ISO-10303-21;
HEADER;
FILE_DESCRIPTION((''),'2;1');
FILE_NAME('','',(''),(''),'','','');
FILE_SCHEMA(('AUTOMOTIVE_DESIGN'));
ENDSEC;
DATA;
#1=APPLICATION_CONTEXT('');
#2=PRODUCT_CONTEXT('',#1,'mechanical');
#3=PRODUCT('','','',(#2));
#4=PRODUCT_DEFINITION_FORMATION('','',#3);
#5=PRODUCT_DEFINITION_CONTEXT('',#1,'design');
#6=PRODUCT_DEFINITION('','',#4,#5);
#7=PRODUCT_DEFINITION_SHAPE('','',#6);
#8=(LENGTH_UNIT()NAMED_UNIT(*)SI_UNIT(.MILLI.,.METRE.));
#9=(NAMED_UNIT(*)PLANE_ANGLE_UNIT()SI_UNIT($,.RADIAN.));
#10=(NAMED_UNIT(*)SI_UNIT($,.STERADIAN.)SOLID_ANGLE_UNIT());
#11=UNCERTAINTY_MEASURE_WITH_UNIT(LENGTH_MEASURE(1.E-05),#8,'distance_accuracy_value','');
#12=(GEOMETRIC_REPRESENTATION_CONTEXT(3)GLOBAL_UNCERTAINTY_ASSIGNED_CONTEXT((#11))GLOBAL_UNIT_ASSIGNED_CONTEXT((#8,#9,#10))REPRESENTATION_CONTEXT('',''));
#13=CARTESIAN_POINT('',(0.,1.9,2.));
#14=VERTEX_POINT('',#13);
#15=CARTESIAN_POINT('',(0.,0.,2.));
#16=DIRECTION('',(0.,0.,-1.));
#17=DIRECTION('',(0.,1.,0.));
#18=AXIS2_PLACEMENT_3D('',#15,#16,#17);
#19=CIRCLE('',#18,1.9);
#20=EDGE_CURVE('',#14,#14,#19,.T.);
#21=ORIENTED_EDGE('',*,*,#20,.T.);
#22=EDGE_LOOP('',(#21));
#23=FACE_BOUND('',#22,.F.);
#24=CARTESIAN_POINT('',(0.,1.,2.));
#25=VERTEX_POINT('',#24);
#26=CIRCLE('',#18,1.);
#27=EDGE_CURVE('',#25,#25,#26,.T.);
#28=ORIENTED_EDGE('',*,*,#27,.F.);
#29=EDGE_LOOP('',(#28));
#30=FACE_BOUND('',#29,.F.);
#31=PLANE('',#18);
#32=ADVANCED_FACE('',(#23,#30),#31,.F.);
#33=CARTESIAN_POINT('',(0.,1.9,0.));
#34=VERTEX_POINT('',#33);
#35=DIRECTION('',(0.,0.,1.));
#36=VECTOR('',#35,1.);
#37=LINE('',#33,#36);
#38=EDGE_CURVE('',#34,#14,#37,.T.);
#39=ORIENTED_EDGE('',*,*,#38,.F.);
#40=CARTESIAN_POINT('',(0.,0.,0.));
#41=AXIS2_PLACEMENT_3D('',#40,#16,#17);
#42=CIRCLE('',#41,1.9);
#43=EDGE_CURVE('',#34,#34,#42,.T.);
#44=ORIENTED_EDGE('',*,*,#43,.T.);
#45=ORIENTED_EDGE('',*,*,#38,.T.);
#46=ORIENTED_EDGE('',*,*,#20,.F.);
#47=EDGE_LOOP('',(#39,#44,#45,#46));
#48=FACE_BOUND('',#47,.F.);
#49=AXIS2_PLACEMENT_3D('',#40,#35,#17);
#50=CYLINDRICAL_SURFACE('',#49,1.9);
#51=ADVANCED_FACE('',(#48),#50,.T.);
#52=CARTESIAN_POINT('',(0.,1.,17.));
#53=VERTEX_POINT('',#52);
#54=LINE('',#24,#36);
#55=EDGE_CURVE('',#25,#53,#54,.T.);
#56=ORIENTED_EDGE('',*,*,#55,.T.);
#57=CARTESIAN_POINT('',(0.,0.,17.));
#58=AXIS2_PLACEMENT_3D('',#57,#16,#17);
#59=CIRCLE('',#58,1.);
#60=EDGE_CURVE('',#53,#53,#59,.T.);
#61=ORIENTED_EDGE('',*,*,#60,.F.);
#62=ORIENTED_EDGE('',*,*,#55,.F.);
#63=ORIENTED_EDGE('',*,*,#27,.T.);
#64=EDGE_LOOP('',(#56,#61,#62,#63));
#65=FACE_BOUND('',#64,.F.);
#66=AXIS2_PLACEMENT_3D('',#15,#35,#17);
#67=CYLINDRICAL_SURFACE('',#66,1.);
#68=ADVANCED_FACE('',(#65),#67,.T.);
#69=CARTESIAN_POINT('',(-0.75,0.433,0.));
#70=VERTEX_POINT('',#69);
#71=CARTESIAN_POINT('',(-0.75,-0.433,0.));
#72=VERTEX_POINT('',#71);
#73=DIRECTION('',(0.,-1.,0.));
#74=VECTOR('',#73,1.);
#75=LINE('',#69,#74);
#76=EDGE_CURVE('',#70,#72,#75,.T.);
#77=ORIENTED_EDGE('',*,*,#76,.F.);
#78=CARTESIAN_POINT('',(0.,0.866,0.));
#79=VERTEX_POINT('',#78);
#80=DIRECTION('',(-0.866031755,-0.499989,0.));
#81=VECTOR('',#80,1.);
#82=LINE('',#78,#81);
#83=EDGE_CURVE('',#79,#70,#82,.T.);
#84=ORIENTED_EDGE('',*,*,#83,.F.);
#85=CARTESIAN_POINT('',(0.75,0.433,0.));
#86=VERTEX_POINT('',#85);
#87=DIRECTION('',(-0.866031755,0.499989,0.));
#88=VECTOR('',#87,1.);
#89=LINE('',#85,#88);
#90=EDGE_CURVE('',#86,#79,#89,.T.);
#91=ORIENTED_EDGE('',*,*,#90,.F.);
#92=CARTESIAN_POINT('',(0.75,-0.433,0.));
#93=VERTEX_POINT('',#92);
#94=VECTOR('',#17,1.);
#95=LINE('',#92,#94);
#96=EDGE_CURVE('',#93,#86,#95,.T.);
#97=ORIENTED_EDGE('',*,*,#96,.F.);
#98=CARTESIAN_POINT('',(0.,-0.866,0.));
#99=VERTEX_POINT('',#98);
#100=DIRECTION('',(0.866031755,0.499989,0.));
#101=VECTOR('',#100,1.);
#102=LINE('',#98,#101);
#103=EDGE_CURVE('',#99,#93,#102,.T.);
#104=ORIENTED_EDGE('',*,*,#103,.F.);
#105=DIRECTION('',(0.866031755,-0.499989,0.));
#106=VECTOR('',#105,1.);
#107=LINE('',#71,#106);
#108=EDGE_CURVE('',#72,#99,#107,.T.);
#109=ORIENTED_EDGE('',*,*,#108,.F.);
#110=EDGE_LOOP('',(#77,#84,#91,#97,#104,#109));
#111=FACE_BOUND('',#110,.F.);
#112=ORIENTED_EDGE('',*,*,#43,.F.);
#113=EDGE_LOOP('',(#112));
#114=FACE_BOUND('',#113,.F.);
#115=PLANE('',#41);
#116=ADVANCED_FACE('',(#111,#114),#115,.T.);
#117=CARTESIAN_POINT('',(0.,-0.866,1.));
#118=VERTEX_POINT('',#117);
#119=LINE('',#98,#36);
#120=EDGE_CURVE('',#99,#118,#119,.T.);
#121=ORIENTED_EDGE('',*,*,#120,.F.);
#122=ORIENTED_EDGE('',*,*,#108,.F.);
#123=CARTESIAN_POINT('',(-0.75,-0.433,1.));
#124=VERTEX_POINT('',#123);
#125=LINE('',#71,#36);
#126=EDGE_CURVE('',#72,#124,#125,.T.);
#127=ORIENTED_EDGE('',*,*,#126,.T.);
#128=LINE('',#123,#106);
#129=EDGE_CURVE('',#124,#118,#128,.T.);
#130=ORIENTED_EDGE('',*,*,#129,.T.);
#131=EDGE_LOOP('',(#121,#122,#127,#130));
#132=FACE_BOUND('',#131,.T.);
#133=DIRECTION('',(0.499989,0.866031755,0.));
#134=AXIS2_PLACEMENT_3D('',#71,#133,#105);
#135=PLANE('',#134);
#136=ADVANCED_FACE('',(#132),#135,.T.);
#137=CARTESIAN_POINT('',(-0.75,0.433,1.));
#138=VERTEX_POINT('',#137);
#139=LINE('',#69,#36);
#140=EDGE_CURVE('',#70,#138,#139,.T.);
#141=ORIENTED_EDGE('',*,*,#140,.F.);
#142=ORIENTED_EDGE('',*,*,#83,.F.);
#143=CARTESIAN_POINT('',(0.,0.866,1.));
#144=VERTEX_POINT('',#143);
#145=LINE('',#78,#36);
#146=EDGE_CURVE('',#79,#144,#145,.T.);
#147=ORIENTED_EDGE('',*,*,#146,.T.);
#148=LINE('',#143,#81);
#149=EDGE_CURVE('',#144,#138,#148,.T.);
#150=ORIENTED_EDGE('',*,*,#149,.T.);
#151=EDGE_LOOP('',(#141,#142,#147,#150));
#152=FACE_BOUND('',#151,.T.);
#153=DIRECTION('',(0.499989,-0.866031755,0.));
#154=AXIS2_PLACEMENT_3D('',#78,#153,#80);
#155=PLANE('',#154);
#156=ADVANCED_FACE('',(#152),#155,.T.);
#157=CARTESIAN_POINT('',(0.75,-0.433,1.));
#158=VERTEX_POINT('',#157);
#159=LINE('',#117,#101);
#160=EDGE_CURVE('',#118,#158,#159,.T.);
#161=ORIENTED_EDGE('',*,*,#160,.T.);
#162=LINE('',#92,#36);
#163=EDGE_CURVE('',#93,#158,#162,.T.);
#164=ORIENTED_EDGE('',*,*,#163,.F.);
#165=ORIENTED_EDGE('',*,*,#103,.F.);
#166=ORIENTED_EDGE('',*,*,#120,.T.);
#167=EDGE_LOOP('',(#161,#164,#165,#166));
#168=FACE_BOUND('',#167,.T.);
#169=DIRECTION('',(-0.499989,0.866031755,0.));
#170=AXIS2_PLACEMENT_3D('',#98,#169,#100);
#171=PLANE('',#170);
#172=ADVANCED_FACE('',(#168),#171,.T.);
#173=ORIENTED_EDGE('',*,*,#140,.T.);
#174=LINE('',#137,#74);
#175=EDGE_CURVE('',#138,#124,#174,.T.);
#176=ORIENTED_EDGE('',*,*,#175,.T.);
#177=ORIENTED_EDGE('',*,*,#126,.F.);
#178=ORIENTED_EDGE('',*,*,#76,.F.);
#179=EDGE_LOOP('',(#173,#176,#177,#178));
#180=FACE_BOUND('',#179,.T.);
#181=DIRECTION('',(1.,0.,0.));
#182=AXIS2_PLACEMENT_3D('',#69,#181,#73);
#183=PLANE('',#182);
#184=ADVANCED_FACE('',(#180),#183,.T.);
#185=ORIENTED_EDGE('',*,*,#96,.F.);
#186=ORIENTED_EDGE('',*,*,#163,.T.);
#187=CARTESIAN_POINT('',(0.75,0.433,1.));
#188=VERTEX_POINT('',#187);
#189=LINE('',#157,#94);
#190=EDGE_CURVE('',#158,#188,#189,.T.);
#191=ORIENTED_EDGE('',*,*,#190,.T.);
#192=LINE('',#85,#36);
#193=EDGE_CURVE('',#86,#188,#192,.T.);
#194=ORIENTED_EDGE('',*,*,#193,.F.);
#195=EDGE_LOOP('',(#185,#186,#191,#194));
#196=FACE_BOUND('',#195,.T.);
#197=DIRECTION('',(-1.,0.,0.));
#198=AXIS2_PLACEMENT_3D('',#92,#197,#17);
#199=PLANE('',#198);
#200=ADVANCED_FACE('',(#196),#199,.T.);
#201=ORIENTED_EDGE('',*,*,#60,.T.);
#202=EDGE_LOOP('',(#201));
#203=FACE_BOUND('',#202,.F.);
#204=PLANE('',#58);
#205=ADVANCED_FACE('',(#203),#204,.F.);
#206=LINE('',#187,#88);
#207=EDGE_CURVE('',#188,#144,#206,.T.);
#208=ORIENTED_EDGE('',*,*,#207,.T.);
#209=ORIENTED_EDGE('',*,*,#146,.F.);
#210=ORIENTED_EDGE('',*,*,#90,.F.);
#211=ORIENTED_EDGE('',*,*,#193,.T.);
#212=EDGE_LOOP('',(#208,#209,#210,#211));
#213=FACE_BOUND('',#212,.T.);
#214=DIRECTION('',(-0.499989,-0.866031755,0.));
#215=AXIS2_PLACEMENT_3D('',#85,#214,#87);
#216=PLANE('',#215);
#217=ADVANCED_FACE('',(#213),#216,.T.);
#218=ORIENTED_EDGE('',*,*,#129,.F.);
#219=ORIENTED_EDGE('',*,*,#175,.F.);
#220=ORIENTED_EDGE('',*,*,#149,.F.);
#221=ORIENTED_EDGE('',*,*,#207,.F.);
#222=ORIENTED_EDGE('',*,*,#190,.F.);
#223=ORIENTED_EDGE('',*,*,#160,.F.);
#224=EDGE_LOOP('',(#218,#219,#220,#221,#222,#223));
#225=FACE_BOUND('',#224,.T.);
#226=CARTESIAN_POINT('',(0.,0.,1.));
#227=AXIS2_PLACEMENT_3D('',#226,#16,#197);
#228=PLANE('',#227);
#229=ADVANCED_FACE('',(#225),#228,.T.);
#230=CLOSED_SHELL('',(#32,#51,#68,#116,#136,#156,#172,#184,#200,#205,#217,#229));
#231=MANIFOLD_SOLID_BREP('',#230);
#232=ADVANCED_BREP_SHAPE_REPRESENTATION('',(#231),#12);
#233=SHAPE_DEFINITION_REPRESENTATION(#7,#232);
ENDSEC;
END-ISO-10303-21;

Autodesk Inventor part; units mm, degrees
ref_plane "YZ Plane" through (0, 0, 0) normal (1, 0, 0) x (0, 1, 0)
ref_plane "XZ Plane" through (0, 0, 0) normal (0, 1, 0) x (-1, 0, 0)
ref_plane "XY Plane" through (0, 0, 0) normal (0, 0, 1) x (1, 0, 0)
sketch "スケッチ1" plane through (0, 0, 0) normal (1, 0, 0) x (0, 1, 0)
  line L0 (0, 17) -> (0, 0)
  line L1 (0, 0) -> (1.9, 0)
  line L2 (1.9, 0) -> (1.9, 2)
  line L3 (1.9, 2) -> (1, 2)
  line L4 (1, 2) -> (1, 17)
  line L5 (1, 17) -> (0, 17)
  dimension "d2" = 2
  dimension "d10" = 15
  dimension "d11" = 2
  dimension "d12" = 3.8
revolve "回転1" add sketch "スケッチ1" angle 360 about axis through (0, 0, 17) along (0, 0, -1)
thread "ねじ1" size "M2x0.4" class "6g" standard "ANSI Metric M Profile" full length
sketch "スケッチ2" plane through (0, 0, 0) normal (0, 0, -1) x (-1, 0, 0)
  line L0 (0, 0.866) -> (0.75, 0.433)
  line L1 (0.75, 0.433) -> (0.75, -0.433)
  line L2 (0.75, -0.433) -> (0, -0.866)
  line L3 (0, -0.866) -> (-0.75, -0.433)
  line L4 (-0.75, -0.433) -> (-0.75, 0.433)
  line L5 (-0.75, 0.433) -> (0, 0.866)
  circle A0 centre (0, 0) radius 1.9 projected
  line L6 (0, 1.9) -> (0, -1.9) construction
  point P0 (0, 0)
  dimension "d7" = 1.5
extrude "押し出し1" cut sketch "スケッチ2" against normal blind 1 contours L0 L1 L2 L3 L4 L5
properties part number "FC-0215EB" material "チタン"
